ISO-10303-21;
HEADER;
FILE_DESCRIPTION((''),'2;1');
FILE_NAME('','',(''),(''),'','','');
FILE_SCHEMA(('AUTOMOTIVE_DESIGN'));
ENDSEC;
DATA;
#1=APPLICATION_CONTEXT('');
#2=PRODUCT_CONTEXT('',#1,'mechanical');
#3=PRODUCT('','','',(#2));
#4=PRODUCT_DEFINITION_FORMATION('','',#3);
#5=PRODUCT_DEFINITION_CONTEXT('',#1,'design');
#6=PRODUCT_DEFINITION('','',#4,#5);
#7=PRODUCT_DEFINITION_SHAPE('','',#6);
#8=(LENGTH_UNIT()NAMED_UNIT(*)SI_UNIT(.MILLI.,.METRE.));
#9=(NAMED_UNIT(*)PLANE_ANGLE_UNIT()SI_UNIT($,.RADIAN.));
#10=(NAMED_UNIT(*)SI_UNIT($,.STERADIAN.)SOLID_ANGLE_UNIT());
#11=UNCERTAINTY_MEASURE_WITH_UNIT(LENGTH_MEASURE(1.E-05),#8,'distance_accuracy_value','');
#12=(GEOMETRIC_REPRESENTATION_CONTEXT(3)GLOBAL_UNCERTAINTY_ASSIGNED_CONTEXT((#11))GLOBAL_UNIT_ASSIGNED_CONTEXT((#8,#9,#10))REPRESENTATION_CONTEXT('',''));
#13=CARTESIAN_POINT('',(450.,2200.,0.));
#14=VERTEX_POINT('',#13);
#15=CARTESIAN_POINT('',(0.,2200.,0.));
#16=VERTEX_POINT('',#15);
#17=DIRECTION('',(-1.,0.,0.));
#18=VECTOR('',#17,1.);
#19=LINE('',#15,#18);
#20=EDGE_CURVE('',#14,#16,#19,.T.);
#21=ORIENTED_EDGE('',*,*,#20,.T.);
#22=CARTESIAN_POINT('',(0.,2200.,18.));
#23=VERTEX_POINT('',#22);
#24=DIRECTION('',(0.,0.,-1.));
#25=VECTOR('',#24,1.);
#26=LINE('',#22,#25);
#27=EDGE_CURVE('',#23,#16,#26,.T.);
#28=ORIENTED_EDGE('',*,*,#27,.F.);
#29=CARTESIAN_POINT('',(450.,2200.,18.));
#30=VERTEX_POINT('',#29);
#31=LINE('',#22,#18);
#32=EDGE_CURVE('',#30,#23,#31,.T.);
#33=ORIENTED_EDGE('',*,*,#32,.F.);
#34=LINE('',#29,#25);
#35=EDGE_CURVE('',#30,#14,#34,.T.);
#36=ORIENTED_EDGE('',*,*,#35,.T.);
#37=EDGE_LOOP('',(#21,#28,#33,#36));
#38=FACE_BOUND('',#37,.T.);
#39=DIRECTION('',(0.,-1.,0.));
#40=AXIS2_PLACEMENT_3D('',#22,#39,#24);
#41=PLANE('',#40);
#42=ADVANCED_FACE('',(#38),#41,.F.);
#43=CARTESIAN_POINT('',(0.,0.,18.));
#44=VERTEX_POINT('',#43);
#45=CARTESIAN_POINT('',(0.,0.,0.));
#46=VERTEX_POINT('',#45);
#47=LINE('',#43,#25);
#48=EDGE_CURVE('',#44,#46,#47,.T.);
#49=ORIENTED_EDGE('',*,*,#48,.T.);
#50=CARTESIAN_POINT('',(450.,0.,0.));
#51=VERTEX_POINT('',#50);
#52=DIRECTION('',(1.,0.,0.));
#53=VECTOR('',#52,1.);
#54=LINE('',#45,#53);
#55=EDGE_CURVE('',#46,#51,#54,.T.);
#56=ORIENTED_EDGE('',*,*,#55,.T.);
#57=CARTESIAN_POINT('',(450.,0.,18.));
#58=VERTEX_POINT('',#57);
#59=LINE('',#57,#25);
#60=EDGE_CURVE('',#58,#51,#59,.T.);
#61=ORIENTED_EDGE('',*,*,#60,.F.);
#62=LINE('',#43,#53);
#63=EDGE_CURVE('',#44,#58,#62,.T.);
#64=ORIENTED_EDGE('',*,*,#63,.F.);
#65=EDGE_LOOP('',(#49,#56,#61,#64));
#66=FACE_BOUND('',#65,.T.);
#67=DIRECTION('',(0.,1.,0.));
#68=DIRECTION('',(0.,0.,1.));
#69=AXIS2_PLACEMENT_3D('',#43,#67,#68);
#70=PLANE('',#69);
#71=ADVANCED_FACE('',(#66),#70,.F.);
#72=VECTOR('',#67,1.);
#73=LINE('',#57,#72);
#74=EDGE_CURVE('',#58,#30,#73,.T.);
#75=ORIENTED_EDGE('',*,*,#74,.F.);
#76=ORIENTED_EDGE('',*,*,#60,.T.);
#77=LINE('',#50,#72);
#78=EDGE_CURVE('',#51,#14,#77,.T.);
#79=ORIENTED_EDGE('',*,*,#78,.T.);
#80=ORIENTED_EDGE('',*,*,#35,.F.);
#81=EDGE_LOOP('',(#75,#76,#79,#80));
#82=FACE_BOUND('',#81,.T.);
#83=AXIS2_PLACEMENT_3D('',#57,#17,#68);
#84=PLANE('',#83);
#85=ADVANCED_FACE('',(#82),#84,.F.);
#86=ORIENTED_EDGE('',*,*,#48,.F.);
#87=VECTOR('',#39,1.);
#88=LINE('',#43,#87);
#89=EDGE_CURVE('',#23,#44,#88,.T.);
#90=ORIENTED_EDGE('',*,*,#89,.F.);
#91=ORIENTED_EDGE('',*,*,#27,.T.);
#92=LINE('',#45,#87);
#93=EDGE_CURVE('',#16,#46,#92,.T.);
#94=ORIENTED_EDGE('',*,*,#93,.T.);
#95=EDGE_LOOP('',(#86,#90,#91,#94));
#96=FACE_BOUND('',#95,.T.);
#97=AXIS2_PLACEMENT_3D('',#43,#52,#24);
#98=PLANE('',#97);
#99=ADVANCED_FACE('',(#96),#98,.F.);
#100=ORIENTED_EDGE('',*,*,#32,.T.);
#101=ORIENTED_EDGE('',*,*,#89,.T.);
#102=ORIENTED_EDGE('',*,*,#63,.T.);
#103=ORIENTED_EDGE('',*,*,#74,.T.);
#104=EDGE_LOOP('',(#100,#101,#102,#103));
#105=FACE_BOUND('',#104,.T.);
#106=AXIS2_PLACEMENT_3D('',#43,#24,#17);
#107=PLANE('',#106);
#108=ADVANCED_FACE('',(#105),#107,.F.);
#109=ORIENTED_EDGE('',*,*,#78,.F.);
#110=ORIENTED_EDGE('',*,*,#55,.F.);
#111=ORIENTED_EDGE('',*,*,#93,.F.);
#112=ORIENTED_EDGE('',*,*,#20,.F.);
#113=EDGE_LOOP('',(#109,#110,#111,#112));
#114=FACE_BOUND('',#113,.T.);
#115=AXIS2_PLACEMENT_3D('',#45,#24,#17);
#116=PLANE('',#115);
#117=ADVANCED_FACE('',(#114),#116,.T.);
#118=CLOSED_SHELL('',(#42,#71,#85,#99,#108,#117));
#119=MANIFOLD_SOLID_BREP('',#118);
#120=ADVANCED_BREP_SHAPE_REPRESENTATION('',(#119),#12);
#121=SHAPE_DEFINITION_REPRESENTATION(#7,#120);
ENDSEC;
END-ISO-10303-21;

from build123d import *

# Parameters (mm, degrees)
SKETCH1_W           = 450
SKETCH1_H           = 2200
BOSS_EXTRUDE1_DEPTH = 18


with BuildPart() as part:
    # Sketch1 → Boss-Extrude1 (new body)
    with BuildSketch(Plane.XY):
        with Locations((225, 1100)):
            Rectangle(SKETCH1_W, SKETCH1_H)
    extrude(amount=BOSS_EXTRUDE1_DEPTH)


solid = part.part
